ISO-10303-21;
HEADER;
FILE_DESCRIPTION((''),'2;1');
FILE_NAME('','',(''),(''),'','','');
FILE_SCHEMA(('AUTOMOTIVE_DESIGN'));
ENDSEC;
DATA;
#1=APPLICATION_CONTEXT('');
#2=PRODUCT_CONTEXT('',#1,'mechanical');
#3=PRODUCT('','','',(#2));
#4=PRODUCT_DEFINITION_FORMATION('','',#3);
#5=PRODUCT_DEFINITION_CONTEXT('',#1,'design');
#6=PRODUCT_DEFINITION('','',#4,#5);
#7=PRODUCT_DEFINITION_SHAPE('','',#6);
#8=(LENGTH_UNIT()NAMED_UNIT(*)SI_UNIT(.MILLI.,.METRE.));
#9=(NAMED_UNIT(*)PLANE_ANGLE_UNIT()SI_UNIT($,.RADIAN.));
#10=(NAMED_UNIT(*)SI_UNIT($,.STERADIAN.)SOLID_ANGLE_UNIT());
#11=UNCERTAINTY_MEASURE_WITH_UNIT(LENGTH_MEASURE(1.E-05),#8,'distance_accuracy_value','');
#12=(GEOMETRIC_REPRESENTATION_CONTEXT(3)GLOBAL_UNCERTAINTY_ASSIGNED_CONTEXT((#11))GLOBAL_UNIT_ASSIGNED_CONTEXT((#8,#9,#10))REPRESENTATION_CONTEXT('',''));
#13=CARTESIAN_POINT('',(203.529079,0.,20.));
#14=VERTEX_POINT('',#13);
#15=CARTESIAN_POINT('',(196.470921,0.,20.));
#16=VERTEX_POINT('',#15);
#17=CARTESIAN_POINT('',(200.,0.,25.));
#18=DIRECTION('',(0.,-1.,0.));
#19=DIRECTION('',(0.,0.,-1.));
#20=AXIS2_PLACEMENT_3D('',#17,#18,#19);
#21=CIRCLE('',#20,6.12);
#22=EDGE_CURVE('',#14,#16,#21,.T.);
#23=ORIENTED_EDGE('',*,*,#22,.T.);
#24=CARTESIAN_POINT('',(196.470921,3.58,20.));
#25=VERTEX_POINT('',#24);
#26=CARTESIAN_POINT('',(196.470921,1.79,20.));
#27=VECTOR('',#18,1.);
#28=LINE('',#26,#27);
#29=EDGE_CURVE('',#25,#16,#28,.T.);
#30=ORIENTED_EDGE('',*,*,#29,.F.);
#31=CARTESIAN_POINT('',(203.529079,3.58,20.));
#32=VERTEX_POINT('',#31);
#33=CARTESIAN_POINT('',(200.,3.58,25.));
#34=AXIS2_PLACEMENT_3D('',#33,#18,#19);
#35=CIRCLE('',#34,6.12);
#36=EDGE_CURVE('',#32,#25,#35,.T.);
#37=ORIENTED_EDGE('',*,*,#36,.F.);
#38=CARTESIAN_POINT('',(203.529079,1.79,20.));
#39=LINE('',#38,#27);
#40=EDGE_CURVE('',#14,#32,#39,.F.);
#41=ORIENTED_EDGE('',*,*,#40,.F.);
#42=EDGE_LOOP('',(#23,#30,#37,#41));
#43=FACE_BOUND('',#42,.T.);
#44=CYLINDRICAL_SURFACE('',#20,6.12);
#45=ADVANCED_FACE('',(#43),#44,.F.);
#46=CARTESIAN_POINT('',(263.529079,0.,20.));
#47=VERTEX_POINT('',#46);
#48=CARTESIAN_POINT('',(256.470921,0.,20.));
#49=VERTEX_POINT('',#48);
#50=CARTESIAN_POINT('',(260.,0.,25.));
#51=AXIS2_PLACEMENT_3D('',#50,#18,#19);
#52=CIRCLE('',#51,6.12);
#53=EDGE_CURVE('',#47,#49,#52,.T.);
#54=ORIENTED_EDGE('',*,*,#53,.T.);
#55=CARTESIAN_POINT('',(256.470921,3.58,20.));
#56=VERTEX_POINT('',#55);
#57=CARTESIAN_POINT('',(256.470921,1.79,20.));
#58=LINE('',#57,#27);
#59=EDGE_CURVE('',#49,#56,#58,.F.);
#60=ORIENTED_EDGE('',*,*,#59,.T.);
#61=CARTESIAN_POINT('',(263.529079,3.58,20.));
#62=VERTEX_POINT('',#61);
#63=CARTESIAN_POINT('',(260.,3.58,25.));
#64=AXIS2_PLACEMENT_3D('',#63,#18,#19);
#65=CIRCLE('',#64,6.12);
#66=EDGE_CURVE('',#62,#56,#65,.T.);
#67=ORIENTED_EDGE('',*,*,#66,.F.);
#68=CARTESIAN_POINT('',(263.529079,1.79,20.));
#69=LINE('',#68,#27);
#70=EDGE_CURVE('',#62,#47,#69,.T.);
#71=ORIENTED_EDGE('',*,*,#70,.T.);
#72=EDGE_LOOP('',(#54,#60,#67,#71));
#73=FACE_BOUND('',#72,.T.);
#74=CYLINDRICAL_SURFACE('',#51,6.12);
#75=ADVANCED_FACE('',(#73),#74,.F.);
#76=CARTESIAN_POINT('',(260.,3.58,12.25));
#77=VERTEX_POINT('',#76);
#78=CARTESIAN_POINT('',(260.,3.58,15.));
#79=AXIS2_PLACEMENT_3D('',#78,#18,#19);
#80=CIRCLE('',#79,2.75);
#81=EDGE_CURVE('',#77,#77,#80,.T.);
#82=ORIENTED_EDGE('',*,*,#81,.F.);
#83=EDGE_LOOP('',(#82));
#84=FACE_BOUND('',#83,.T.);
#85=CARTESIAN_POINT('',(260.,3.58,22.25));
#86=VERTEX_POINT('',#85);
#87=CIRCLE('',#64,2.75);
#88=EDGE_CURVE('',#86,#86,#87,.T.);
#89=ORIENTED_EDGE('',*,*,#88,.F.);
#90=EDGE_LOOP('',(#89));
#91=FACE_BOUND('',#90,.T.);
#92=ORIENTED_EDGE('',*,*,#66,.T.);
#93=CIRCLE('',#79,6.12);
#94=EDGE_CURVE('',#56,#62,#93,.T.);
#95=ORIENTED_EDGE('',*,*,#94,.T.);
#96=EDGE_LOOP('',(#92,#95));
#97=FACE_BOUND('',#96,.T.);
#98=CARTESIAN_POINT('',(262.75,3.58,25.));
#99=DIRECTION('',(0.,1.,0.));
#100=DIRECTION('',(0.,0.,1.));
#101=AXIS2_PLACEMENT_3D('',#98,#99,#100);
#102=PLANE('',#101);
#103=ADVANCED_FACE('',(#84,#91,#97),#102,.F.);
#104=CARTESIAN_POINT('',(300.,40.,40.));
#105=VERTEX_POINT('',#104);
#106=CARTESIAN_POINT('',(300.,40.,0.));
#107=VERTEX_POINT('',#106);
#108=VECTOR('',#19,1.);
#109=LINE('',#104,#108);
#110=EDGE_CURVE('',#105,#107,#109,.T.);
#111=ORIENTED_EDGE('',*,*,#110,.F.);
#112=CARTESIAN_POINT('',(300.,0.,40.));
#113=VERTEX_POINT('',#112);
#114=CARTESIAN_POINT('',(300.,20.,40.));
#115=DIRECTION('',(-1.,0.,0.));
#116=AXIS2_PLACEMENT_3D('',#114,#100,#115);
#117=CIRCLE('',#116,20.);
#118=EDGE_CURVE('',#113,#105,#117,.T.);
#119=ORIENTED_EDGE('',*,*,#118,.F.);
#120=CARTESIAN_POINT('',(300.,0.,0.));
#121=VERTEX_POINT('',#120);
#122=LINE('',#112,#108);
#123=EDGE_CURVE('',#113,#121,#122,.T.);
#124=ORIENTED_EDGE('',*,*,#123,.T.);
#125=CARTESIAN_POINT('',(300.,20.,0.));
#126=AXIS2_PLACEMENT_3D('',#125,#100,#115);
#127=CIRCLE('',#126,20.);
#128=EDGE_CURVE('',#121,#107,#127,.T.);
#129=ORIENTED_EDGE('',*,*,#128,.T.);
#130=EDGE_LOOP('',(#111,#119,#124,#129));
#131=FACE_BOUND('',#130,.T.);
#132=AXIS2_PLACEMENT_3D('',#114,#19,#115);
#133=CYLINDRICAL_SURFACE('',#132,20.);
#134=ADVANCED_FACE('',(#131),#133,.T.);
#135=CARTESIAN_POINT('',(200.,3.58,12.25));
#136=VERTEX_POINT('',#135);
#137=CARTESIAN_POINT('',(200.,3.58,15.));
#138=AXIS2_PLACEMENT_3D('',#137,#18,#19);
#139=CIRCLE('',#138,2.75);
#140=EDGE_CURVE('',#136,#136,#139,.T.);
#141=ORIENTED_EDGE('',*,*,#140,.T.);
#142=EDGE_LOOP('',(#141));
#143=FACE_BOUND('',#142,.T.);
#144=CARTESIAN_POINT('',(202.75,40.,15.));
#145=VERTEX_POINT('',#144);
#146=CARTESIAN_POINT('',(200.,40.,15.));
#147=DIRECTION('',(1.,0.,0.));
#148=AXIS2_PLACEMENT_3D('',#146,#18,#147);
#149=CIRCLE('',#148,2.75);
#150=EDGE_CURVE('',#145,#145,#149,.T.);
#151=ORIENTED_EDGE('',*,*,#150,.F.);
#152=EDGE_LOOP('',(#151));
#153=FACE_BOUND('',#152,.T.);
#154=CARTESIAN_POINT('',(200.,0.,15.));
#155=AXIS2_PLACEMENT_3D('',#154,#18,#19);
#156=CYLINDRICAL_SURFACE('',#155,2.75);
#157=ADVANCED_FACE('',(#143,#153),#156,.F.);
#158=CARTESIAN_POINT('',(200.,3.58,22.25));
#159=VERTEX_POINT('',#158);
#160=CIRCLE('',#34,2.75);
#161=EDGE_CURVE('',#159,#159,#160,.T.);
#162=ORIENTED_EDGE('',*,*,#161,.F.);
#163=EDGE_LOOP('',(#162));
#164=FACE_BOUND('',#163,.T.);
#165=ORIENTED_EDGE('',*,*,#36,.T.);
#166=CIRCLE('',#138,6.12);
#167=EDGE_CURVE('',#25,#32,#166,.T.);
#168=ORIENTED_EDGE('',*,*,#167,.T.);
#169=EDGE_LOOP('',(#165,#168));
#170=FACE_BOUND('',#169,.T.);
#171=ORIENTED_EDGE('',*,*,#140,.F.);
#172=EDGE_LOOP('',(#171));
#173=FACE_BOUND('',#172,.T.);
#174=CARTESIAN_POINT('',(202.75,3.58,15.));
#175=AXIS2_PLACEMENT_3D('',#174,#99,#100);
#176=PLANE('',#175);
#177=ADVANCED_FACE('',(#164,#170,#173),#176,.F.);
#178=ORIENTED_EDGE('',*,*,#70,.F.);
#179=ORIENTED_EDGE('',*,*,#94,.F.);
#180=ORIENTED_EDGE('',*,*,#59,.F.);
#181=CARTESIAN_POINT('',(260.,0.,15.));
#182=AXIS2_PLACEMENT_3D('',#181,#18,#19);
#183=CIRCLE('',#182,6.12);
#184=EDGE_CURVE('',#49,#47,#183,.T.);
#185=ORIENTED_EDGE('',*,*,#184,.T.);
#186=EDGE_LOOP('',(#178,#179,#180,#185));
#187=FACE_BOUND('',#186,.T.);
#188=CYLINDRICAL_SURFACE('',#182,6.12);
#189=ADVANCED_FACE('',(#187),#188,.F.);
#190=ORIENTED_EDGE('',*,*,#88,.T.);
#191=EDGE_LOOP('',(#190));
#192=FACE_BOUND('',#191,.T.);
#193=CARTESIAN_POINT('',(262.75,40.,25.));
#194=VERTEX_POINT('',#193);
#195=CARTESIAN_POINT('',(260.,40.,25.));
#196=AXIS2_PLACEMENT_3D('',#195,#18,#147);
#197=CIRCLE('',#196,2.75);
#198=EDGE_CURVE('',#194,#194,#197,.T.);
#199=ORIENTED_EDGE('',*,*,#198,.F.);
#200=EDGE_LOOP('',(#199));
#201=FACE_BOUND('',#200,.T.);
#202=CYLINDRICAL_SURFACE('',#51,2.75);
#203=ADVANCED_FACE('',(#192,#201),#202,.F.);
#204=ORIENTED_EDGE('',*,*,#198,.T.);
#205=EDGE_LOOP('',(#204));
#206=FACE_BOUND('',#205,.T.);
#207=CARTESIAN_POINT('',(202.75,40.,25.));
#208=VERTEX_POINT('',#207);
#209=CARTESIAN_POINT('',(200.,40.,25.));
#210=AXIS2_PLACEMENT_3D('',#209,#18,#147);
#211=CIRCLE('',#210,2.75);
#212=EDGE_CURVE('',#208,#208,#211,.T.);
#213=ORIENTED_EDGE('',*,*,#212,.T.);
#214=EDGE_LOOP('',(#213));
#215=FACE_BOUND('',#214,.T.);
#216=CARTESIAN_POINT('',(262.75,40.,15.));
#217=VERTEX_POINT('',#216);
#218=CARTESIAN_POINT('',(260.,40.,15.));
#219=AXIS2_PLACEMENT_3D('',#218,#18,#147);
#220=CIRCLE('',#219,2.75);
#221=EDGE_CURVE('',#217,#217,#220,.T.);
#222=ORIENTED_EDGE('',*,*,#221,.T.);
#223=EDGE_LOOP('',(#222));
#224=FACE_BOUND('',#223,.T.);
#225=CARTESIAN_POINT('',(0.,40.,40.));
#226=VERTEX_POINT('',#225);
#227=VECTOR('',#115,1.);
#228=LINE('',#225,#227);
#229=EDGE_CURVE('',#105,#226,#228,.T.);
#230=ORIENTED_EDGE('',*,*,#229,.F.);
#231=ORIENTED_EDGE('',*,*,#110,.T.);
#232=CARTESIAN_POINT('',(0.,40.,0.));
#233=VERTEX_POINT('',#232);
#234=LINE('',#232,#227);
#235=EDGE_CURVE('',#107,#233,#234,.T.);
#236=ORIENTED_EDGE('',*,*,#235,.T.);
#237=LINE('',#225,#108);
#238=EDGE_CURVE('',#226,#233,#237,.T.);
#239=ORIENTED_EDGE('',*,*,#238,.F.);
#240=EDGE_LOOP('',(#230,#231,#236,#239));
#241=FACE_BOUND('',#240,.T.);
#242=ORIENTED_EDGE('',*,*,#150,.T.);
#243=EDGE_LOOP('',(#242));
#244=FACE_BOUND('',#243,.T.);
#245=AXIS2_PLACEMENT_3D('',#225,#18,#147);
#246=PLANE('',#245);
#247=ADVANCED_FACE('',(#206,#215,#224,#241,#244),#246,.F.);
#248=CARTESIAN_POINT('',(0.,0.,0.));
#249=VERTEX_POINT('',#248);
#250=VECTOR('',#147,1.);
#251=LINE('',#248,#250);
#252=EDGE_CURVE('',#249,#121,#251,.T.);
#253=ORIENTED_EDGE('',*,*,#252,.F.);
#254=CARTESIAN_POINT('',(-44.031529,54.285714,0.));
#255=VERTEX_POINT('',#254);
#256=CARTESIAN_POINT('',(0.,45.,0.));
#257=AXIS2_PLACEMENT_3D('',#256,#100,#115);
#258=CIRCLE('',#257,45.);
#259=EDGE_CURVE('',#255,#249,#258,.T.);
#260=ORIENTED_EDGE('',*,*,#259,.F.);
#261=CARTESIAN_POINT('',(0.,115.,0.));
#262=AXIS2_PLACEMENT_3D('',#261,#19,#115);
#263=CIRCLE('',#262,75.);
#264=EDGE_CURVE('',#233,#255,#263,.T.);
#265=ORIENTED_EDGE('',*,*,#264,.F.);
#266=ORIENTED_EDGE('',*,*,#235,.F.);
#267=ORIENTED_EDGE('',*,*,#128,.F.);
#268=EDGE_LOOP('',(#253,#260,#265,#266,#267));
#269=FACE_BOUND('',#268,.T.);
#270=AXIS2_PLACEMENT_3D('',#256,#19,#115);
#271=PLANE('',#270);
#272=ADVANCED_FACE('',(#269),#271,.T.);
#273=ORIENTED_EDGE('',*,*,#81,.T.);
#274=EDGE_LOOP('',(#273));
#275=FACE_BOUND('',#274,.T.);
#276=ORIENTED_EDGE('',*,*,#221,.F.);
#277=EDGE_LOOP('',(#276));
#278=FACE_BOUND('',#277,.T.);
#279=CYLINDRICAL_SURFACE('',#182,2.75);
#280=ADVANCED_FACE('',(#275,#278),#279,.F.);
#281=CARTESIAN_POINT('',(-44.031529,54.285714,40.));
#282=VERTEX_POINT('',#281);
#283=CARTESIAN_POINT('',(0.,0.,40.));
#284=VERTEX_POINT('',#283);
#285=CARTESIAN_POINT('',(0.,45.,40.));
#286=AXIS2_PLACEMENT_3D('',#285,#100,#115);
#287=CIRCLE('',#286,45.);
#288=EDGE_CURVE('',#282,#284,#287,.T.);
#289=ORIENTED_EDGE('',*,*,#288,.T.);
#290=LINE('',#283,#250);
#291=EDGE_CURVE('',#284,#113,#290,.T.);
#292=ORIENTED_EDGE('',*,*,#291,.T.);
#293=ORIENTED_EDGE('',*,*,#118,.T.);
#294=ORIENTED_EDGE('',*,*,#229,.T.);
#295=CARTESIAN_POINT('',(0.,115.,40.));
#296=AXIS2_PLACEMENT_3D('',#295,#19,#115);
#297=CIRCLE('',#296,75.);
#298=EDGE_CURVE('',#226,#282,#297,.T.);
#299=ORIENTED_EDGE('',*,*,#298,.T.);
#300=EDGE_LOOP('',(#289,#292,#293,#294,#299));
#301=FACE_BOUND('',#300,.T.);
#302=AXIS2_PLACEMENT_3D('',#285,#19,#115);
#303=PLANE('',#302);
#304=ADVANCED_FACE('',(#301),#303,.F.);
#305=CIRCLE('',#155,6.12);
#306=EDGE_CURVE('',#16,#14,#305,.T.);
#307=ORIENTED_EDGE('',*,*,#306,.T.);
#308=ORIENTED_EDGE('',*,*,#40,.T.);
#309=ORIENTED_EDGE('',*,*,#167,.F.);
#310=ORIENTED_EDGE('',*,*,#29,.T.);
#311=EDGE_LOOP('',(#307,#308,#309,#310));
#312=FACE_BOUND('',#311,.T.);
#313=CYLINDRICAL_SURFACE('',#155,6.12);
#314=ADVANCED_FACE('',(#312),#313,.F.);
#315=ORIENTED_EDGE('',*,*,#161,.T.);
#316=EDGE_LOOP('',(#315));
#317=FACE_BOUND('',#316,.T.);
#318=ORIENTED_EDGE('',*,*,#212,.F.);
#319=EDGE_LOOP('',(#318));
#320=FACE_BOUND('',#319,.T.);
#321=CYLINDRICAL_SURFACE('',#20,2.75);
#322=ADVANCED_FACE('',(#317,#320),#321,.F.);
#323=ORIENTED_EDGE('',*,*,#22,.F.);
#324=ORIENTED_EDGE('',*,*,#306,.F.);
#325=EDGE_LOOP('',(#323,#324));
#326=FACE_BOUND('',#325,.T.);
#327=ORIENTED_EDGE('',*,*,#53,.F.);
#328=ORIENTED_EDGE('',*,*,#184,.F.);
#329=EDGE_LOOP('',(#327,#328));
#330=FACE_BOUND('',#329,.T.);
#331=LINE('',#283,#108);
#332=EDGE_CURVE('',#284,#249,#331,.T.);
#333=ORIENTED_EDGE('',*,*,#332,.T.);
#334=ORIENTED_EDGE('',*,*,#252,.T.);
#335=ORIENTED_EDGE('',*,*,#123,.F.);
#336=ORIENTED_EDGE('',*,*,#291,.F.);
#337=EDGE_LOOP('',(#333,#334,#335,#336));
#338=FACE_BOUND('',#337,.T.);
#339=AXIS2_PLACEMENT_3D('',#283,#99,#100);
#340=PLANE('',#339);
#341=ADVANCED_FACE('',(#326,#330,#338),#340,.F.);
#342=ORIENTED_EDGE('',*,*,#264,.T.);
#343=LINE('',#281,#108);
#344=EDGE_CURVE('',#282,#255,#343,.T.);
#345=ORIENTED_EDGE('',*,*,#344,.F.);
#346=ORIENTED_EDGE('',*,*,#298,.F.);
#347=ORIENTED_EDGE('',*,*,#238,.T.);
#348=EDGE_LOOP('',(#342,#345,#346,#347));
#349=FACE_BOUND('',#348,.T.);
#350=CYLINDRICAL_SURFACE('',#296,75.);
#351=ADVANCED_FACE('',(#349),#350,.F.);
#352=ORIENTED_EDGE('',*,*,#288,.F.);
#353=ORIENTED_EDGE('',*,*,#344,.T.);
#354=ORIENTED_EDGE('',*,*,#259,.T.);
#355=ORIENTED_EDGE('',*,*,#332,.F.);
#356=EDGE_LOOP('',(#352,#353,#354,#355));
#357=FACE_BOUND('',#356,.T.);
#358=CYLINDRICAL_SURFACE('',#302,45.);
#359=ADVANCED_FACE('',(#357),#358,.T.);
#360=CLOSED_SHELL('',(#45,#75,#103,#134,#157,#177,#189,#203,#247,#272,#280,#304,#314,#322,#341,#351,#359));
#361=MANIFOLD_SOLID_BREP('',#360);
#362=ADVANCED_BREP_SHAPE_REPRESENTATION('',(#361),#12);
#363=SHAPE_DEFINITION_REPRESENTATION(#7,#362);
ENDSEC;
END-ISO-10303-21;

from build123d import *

# Parameters (mm, degrees)
BOSS_EXTRUDE1_DEPTH                     = 40
CBORE_FOR_M5_HEX_HEAD_BOLT3_D           = 5.5
CBORE_FOR_M5_HEX_HEAD_BOLT3_CBORE_D     = 12.24
CBORE_FOR_M5_HEX_HEAD_BOLT3_CBORE_DEPTH = 3.58


with BuildPart() as part:
    # Sketch1 → Boss-Extrude1 (new body)
    with BuildSketch(Plane.XY):
        with BuildLine():
            Line((0, 0), (300, 0))
            ThreePointArc((300, 0), (320, 20), (300, 40))
            Line((300, 40), (0, 40))
            ThreePointArc((0, 40), (-23.145502494, 43.660770159), (-44.031528593, 54.285714286))
            ThreePointArc((-44.031528593, 54.285714286), (-34.948942351, 16.652664524), (0, 0))
        make_face()
    extrude(amount=BOSS_EXTRUDE1_DEPTH)

    # CBORE for M5 Hex Head Bolt3 (through all)
    with Locations(Plane(origin=(0, 0, 0), x_dir=(-1, 0, 0), z_dir=(0, -1, 0))):
        with Locations((-260, -15), (-260, -25), (-200, -25), (-200, -15)):
            CounterBoreHole(CBORE_FOR_M5_HEX_HEAD_BOLT3_D / 2, CBORE_FOR_M5_HEX_HEAD_BOLT3_CBORE_D / 2, CBORE_FOR_M5_HEX_HEAD_BOLT3_CBORE_DEPTH)


solid = part.part
